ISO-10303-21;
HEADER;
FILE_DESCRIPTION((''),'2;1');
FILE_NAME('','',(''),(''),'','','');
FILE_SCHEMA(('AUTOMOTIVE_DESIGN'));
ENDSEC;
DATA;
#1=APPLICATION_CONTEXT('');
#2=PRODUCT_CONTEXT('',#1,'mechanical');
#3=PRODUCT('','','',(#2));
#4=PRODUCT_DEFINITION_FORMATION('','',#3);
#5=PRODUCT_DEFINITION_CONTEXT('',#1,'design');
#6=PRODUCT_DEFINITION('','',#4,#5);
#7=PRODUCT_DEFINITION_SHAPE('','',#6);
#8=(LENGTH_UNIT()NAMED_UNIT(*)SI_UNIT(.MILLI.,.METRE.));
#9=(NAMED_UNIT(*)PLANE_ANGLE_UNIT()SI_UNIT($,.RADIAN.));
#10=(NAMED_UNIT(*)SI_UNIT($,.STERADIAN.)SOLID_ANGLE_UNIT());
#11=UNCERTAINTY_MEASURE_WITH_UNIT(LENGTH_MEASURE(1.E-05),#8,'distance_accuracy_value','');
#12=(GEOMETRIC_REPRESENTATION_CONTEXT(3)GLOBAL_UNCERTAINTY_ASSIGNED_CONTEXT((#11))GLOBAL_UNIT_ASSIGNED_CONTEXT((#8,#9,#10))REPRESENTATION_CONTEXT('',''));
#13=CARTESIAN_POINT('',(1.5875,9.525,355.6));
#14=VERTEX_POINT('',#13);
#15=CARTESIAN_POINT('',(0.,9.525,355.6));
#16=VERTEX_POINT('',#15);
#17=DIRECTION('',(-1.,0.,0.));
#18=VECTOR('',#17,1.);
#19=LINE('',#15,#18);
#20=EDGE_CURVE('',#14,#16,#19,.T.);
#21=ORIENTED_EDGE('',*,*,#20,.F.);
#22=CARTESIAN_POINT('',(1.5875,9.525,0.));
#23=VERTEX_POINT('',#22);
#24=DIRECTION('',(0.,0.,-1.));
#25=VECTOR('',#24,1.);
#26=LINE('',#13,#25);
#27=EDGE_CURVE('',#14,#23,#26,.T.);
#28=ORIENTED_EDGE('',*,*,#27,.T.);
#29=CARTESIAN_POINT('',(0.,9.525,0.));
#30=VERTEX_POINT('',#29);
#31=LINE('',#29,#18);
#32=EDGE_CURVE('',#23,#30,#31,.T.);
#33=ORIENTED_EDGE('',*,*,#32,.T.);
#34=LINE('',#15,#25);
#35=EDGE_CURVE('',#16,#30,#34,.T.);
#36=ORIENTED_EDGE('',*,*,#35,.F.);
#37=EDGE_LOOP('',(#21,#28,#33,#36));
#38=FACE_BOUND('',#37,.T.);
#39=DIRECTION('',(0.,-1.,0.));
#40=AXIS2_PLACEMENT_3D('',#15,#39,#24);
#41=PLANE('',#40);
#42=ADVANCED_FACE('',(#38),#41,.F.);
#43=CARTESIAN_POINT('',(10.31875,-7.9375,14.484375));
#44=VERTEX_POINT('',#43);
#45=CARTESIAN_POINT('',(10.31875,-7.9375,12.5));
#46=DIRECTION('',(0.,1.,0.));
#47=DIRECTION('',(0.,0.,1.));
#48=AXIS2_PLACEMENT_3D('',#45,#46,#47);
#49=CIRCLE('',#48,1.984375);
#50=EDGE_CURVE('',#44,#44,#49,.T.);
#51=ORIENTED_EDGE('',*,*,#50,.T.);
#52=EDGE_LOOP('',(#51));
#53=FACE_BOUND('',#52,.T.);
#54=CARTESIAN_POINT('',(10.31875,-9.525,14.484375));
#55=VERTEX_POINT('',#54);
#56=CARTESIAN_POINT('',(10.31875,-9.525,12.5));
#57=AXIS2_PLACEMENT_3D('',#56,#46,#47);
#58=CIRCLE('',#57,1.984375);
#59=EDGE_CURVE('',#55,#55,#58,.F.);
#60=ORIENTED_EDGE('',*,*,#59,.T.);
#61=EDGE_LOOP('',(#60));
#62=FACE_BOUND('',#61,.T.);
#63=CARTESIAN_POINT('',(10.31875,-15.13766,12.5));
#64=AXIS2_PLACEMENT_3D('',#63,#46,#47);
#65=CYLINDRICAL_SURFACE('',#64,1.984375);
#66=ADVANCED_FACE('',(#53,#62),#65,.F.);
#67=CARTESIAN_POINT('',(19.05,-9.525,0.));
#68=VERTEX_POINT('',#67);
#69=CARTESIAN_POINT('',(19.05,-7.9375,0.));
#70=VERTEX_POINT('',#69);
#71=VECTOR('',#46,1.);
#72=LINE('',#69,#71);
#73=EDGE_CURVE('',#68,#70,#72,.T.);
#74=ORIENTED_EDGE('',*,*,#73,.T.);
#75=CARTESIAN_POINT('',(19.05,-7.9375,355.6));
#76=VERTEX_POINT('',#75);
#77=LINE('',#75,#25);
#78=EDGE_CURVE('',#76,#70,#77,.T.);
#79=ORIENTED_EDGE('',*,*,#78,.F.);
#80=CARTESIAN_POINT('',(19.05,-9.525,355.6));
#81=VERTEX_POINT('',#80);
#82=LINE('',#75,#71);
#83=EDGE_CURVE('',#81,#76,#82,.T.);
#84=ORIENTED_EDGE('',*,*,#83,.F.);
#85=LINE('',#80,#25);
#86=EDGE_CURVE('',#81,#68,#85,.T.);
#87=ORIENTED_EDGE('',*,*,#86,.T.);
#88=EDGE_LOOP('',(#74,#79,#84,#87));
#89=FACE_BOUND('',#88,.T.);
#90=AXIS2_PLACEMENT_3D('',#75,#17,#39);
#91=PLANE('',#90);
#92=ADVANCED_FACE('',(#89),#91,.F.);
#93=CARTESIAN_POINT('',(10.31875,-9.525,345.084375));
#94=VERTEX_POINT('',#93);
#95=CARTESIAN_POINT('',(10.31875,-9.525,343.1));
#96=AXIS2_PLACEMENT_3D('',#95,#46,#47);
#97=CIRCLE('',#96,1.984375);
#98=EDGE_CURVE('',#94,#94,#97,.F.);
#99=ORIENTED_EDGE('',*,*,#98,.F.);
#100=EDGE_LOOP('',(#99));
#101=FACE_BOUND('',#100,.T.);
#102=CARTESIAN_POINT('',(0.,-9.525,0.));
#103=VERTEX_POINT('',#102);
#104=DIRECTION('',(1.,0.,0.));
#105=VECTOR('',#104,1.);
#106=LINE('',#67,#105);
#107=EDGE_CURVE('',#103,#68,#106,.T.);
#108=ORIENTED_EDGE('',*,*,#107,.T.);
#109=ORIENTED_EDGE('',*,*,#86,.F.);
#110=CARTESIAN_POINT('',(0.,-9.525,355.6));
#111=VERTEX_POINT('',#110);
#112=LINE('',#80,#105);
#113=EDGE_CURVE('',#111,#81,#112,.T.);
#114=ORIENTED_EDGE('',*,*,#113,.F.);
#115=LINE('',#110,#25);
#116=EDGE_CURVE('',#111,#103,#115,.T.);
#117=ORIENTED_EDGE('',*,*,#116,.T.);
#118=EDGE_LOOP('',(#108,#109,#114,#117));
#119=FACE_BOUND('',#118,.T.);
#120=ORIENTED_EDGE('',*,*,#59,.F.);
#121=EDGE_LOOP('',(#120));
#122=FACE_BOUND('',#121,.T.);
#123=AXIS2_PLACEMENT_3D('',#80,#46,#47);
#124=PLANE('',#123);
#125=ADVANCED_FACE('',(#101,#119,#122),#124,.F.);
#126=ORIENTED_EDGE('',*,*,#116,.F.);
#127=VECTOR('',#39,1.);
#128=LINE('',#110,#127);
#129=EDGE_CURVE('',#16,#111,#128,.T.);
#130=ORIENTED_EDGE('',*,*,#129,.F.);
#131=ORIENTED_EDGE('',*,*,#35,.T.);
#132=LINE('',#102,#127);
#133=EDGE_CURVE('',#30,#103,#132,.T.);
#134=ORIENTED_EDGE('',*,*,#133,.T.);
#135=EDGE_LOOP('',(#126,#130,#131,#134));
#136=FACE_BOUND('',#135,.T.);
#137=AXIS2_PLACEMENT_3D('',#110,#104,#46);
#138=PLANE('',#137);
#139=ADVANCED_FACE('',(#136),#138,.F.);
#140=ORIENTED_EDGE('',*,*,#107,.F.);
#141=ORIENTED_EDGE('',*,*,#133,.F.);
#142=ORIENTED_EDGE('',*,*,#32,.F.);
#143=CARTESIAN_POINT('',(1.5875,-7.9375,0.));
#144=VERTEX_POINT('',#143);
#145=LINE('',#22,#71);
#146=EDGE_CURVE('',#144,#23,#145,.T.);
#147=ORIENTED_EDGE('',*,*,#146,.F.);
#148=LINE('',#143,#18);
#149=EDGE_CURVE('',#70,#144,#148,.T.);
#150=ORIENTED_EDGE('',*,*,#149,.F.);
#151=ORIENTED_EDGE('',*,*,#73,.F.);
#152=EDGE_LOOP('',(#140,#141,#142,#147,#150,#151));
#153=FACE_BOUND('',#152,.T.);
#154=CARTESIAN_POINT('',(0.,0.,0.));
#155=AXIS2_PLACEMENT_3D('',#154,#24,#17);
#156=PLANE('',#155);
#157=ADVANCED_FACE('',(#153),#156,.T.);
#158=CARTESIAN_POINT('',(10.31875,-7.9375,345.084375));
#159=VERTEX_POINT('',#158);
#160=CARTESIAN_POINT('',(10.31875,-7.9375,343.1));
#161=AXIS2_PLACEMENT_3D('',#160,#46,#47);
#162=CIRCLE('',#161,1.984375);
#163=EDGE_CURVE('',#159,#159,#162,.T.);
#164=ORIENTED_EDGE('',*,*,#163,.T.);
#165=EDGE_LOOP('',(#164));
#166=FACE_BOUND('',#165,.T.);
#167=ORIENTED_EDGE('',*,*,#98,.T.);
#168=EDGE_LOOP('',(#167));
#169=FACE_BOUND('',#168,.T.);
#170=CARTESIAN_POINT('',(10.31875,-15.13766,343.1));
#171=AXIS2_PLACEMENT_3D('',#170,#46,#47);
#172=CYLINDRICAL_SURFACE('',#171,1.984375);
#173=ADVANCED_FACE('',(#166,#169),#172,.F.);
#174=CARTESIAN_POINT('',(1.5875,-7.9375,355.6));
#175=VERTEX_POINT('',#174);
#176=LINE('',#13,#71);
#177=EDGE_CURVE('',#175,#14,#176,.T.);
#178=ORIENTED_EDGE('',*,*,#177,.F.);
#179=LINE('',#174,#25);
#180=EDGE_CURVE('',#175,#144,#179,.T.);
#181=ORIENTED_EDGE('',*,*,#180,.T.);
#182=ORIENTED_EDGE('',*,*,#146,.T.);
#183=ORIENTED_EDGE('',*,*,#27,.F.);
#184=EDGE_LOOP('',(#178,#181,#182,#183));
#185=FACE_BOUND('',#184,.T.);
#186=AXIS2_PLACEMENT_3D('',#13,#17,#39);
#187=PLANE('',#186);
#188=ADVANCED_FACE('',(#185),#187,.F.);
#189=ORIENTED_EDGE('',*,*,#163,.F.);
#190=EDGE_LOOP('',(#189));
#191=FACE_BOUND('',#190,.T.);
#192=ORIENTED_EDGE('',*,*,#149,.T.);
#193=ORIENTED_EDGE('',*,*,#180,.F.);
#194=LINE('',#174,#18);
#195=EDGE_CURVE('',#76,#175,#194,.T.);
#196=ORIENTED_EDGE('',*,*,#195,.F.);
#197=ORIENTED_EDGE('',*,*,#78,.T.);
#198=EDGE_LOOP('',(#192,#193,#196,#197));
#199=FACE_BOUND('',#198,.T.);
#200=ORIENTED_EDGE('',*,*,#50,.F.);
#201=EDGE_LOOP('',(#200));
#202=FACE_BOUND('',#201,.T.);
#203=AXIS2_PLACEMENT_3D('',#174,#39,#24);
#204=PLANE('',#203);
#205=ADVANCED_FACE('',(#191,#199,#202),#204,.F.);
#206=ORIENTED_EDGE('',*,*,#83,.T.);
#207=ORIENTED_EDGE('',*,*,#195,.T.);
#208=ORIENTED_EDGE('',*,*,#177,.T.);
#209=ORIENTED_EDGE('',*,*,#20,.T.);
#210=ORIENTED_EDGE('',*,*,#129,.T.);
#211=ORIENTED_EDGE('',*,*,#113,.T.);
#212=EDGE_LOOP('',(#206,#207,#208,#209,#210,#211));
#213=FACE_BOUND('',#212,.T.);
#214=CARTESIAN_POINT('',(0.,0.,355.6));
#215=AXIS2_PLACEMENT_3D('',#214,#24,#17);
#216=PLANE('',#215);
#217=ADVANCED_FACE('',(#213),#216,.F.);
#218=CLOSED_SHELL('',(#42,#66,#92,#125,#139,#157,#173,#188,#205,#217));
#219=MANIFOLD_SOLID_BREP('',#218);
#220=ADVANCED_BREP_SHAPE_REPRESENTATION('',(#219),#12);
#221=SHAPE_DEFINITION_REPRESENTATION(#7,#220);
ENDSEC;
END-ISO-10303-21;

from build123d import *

# Parameters (mm, degrees)
BOSS_EXTRUDE1_DEPTH = 355.6
SKETCH3_R           = 1.984375
CUT_EXTRUDE1_DEPTH  = 1.5875


with BuildPart() as part:
    # Sketch2 → Boss-Extrude1 (new body)
    with BuildSketch(Plane.XY):
        Polygon((0, -9.525), (0, 9.525), (1.5875, 9.525), (1.5875, -7.9375), (19.05, -7.9375), (19.05, -9.525), align=None)
    extrude(amount=BOSS_EXTRUDE1_DEPTH)

    # Sketch3 → Cut-Extrude1 (cut)
    with BuildSketch(Plane(origin=(0, -7.9375, 0), x_dir=(1, 0, 0), z_dir=(0, 1, 0))):
        with Locations((10.31875, -12.5)):
            Circle(SKETCH3_R)
        with Locations((10.31875, -343.1)):
            Circle(SKETCH3_R)
    extrude(amount=-CUT_EXTRUDE1_DEPTH, mode=Mode.SUBTRACT)


solid = part.part
